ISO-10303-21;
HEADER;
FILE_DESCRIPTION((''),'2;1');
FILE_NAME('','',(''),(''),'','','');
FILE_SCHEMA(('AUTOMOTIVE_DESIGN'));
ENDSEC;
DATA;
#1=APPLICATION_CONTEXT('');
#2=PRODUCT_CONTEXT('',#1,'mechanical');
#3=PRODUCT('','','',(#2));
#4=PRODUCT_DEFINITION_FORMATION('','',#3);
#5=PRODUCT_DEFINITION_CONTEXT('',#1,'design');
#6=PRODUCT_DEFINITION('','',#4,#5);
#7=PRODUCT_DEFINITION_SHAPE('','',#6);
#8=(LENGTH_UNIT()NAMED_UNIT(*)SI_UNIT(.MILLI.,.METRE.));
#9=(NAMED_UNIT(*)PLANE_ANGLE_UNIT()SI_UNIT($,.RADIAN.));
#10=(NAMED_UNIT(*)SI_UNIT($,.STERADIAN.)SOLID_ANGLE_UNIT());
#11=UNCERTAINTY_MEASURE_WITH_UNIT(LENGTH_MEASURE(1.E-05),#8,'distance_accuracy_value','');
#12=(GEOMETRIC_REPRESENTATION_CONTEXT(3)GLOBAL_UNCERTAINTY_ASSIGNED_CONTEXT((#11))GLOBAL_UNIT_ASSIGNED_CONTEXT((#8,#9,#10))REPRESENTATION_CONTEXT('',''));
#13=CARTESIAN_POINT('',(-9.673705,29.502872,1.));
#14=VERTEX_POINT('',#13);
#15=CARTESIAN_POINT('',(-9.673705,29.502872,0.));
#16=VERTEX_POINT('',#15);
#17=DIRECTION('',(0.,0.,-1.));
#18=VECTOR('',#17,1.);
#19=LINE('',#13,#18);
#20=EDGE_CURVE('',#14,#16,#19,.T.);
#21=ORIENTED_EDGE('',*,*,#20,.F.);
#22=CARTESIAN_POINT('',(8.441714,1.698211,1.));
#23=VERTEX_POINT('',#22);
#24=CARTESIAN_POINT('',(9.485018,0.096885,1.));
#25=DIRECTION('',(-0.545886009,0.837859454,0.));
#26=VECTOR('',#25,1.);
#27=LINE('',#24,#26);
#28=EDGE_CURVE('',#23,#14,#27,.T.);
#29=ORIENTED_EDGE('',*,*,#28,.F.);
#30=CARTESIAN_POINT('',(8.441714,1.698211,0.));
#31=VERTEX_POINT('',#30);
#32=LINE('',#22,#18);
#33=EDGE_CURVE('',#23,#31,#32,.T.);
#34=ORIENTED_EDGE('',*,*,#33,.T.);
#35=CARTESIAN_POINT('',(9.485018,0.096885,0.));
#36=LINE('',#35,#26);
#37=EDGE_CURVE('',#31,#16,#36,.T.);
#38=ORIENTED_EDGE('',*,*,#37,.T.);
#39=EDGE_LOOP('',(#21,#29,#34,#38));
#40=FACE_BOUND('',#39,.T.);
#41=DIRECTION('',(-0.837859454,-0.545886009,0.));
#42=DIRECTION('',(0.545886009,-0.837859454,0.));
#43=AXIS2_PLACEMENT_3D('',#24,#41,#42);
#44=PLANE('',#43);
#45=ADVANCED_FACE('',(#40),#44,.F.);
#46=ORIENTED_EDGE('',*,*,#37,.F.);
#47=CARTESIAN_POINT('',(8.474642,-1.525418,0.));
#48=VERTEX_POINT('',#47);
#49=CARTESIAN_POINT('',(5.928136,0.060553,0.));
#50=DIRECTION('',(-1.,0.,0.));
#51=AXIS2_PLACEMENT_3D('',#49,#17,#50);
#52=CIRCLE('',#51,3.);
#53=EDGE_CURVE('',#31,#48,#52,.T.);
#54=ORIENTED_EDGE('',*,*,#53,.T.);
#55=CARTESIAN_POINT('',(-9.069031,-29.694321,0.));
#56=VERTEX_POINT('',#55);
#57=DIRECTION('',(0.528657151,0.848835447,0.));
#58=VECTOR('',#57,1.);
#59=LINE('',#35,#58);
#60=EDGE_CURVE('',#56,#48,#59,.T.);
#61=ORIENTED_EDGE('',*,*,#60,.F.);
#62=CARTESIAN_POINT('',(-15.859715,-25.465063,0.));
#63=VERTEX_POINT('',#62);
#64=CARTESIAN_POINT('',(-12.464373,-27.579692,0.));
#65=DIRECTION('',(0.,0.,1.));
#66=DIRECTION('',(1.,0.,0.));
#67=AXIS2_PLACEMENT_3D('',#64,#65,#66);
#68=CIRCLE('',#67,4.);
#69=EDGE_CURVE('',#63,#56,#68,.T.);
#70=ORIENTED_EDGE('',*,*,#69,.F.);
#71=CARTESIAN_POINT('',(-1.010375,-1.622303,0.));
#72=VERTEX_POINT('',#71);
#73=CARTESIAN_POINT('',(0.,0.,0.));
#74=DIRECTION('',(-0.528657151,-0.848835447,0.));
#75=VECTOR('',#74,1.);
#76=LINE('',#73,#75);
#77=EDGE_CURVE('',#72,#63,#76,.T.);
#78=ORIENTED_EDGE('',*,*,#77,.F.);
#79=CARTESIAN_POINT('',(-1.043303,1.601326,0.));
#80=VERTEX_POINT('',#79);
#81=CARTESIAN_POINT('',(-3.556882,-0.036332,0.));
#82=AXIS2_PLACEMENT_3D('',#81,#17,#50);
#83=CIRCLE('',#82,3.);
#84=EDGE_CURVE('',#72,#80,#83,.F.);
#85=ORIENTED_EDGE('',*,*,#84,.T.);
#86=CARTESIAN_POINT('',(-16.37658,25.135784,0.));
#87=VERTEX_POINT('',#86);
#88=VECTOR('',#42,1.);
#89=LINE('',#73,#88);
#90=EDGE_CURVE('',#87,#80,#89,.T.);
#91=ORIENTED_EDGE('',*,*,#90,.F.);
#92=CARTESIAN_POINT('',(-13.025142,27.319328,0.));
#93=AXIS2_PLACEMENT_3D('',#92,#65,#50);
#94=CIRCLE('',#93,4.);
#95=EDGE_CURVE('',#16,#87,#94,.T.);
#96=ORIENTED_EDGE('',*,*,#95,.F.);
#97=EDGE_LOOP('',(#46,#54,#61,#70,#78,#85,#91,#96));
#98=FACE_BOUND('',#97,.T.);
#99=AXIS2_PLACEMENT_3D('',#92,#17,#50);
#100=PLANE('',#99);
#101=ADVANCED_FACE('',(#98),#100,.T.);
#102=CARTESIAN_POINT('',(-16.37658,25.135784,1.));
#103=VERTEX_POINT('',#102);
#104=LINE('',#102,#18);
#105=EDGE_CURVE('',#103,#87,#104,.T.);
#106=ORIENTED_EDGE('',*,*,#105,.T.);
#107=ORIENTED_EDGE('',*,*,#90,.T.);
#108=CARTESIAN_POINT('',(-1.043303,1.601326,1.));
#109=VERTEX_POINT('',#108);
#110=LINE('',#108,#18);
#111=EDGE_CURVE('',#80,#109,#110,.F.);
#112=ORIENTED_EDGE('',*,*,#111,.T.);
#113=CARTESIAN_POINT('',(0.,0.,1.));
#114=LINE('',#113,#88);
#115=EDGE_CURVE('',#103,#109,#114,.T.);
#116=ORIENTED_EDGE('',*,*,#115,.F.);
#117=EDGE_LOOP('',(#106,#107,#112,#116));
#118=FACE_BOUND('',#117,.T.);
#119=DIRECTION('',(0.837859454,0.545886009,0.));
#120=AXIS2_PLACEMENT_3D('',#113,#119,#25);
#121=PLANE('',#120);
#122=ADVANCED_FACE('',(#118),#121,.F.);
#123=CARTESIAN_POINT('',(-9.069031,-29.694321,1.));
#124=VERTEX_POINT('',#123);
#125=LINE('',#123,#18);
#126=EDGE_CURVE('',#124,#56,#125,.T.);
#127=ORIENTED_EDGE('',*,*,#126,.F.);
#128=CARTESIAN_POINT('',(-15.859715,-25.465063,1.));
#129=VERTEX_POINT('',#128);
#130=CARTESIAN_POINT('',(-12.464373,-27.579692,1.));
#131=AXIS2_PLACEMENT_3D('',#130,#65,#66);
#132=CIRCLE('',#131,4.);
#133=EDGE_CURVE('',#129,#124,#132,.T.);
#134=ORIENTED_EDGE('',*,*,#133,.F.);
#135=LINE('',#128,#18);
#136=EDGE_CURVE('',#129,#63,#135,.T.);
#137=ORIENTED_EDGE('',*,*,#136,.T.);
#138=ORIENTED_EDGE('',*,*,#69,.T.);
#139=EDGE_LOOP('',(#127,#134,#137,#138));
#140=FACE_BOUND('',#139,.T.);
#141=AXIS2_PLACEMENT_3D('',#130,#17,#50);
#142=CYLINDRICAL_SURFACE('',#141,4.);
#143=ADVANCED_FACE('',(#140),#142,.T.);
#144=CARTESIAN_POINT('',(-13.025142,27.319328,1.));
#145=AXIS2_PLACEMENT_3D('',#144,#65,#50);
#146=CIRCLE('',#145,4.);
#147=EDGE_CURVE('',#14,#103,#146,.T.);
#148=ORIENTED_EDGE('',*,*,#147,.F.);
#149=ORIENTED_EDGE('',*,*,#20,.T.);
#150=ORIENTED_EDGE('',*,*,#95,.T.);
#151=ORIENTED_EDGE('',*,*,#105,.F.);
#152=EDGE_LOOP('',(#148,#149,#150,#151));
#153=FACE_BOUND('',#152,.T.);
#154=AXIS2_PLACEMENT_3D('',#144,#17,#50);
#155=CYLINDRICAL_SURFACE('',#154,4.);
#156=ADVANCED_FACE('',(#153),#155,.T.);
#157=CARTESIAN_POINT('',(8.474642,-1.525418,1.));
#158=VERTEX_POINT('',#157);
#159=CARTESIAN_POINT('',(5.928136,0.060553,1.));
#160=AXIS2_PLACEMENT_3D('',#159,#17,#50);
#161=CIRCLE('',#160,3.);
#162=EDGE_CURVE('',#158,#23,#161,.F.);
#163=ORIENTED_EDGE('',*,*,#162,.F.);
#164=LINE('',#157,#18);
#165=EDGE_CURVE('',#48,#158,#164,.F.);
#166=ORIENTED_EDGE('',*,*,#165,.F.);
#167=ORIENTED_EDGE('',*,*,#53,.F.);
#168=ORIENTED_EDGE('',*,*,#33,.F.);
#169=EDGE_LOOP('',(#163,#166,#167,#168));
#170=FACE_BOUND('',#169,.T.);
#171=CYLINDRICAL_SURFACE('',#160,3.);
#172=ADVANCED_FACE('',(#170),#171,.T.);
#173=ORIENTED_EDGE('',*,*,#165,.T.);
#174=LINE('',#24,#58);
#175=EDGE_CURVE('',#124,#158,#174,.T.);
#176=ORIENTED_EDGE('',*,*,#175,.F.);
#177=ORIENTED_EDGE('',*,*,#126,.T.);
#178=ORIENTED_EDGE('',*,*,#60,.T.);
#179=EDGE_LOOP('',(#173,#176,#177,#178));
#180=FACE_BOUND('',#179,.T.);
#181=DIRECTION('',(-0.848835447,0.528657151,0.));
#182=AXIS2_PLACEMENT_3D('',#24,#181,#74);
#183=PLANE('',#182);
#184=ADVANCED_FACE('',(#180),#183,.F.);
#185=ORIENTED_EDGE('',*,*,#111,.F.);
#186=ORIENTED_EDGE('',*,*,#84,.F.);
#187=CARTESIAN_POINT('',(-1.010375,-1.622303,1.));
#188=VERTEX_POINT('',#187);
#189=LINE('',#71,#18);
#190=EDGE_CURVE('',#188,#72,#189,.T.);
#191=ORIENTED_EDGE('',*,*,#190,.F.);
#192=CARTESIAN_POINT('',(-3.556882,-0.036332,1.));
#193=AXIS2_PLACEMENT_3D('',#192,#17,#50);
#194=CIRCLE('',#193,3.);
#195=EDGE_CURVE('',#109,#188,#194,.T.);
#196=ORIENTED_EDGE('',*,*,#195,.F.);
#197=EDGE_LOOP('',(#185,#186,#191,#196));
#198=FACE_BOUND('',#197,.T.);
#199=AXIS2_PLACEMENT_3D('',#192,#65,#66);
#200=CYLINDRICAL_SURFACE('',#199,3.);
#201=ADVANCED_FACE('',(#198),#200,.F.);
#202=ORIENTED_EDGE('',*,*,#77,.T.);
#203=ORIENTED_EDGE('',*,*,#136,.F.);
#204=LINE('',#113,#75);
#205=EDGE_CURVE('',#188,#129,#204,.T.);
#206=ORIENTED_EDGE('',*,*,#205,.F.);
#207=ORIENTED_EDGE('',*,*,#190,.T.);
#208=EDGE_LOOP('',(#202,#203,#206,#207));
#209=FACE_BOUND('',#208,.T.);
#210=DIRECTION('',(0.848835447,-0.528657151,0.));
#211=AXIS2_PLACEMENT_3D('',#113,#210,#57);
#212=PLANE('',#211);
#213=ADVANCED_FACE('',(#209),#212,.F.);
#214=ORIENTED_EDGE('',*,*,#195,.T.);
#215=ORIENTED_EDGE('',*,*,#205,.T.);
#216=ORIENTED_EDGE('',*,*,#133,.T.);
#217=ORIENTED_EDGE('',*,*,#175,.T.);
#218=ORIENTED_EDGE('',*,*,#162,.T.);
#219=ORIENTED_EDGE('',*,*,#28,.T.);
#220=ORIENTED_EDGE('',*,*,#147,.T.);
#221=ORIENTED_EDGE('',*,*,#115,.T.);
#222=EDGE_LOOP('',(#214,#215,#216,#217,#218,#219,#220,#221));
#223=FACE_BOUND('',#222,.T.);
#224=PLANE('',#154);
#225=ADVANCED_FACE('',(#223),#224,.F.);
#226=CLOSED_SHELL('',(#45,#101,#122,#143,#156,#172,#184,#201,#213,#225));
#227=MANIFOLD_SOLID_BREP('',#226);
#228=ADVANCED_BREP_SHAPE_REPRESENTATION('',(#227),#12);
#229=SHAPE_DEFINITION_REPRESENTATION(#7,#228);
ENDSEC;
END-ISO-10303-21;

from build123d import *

# Parameters (mm, degrees)
BOSS_EXTRUDE1_DEPTH = 1
FILLET2_R           = 3


with BuildPart() as part:
    # Sketch1 → Boss-Extrude1 (new body)
    with BuildSketch(Plane.XY):
        with BuildLine():
            Line((0, 0), (-15.859714544, -25.465063412))
            ThreePointArc((-15.859714544, -25.465063412), (-14.579001361, -30.975033806), (-9.069030967, -29.694320624))
            Line((-9.069030967, -29.694320624), (9.485017571, 0.096885346))
            Line((9.485017571, 0.096885346), (-9.673704642, 29.502871699))
            ThreePointArc((-9.673704642, 29.502871699), (-15.208686496, 30.670765479), (-16.376580276, 25.135783626))
            Line((-16.376580276, 25.135783626), (0, 0))
        make_face()
    extrude(amount=BOSS_EXTRUDE1_DEPTH)

    # Fillet2
    fillet2_edges = [part.edges().sort_by_distance(p)[0] for p in [
        (9.485017571, 0.096885346, 0.5),
        (0, 0, 0.5),
    ]]
    fillet(fillet2_edges, radius=FILLET2_R)


solid = part.part
